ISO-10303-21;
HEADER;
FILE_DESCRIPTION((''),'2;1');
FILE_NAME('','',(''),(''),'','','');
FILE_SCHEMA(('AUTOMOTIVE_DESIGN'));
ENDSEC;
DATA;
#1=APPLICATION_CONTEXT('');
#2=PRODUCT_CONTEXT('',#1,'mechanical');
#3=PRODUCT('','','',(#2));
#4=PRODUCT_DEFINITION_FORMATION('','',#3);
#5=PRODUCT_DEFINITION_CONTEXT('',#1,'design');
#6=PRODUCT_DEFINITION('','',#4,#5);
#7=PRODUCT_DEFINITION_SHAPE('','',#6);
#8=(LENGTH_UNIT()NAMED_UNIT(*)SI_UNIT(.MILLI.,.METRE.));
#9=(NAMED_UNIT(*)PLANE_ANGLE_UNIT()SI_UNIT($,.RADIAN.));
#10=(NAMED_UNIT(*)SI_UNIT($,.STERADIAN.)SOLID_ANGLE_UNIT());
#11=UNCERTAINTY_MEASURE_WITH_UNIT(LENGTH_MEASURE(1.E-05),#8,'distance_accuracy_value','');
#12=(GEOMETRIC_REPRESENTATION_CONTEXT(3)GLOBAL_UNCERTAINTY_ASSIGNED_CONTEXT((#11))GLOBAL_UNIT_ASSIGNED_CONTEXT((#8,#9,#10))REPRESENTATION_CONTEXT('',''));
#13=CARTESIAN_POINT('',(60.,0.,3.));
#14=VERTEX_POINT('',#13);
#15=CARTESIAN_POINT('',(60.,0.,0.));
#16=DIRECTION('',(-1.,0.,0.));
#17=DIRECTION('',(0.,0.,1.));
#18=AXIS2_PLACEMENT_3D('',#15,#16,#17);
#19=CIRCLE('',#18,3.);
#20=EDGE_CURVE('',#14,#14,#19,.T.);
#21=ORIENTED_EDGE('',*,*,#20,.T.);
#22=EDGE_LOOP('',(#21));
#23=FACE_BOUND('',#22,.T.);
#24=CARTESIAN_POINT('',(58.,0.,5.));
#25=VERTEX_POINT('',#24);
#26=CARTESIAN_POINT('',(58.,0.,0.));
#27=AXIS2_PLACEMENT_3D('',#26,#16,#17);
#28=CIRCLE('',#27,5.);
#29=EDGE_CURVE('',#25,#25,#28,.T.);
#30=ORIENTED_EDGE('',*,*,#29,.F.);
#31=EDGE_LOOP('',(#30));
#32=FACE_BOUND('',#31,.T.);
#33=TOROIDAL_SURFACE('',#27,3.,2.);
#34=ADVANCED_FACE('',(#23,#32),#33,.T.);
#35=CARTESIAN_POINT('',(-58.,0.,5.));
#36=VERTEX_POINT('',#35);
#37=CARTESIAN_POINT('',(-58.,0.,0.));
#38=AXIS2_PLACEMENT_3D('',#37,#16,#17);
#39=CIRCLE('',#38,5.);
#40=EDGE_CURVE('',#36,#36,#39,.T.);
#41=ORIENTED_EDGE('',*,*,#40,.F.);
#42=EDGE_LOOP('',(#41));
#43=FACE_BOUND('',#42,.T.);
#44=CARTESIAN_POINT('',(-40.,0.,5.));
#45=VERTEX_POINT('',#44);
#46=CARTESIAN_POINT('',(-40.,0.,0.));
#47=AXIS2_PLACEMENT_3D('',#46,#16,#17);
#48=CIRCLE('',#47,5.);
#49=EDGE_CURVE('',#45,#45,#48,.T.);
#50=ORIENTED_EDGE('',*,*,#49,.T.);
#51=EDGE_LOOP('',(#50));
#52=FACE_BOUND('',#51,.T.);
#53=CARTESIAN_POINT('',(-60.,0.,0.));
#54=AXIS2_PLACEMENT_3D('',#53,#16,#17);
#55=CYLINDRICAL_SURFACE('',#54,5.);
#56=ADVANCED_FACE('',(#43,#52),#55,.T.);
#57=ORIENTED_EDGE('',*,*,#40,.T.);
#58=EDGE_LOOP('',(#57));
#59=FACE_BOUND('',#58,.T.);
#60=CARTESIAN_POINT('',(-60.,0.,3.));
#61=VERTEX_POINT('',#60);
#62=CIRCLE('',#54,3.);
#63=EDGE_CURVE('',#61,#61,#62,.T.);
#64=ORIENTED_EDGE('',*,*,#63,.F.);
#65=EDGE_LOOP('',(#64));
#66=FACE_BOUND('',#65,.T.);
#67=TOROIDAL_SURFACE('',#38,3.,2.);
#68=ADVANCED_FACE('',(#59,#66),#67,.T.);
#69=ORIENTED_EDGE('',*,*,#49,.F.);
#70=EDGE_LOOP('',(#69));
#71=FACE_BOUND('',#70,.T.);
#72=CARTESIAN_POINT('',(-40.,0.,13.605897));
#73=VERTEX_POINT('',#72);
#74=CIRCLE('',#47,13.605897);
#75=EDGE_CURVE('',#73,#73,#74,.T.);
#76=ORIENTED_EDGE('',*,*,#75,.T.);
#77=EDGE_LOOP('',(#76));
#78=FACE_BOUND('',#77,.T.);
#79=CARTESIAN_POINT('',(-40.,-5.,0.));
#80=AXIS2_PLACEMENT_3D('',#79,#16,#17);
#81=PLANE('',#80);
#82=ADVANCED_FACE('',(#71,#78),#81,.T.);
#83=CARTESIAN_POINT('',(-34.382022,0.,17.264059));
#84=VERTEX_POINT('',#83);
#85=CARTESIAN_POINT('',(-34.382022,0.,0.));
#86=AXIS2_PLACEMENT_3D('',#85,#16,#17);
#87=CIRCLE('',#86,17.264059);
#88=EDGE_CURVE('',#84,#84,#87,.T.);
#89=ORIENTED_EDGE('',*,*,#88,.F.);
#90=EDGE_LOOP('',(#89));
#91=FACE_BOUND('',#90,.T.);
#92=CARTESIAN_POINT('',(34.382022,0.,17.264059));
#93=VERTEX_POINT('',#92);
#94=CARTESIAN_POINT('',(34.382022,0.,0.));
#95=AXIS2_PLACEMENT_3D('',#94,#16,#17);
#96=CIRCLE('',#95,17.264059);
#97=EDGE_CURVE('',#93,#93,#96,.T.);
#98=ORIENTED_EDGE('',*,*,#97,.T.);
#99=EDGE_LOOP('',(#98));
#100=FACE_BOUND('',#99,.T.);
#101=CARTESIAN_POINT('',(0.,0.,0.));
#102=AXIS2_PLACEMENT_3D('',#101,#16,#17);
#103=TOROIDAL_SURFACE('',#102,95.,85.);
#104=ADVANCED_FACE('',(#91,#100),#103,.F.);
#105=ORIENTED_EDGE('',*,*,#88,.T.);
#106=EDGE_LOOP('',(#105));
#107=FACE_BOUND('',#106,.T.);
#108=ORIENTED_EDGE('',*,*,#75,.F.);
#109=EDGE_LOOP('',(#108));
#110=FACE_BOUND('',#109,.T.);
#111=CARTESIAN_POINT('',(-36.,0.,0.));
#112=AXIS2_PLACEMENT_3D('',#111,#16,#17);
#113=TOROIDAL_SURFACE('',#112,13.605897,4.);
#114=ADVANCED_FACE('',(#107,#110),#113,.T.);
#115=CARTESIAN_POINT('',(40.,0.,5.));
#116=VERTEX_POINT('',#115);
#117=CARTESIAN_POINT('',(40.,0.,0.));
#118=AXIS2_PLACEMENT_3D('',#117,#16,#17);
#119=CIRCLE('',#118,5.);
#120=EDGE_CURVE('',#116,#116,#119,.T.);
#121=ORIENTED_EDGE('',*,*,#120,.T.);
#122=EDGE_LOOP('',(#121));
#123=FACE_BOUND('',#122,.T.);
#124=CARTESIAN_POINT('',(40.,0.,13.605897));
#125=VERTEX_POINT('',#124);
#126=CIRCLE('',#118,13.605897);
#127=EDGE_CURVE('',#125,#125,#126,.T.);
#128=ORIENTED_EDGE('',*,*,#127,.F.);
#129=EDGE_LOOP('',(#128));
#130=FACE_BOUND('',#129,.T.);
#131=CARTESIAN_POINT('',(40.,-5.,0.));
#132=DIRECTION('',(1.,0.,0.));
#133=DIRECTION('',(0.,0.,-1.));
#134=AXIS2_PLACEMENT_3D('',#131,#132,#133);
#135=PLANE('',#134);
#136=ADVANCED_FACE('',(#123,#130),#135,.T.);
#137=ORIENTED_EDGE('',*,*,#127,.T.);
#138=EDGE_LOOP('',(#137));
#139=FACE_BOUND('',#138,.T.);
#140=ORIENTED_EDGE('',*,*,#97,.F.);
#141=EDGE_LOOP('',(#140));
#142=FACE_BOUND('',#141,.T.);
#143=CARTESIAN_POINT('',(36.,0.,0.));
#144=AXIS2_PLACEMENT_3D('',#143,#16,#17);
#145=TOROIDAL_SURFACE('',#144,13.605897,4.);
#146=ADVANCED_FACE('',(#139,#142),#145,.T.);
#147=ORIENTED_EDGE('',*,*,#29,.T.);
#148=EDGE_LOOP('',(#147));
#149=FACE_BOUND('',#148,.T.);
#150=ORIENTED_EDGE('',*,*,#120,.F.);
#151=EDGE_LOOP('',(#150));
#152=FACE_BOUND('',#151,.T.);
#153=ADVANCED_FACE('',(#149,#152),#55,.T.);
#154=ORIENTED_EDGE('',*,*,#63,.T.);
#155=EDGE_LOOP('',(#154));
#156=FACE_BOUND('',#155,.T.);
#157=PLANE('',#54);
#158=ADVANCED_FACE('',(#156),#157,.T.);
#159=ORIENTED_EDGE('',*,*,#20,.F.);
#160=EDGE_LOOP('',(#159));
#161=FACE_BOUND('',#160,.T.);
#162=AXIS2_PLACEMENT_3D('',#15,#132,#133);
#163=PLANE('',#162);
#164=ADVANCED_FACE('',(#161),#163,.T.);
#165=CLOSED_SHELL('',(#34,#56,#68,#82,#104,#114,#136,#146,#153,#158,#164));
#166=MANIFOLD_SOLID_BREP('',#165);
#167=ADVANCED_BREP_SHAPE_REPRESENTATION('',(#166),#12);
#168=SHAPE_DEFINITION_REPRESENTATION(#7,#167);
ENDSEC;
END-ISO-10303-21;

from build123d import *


with BuildPart() as part:
    # Sketch3 → Revolve1 (revolve)
    with BuildSketch(Plane.XY, mode=Mode.PRIVATE) as revolve1_sk:
        with BuildLine():
            Line((-60, 0), (60, 0))
            Line((60, 0), (60, -3))
            ThreePointArc((60, -3), (59.414213562, -4.414213562), (58, -5))
            Line((58, -5), (40, -5))
            Line((40, -5), (40, -13.60589702))
            ThreePointArc((40, -13.60589702), (38.182669225, -16.957904635), (34.382022472, -17.264058951))
            ThreePointArc((34.382022472, -17.264058951), (0, -10), (-34.382022472, -17.264058951))
            ThreePointArc((-34.382022472, -17.264058951), (-38.182669225, -16.957904635), (-40, -13.60589702))
            Line((-40, -13.60589702), (-40, -5))
            Line((-40, -5), (-58, -5))
            ThreePointArc((-58, -5), (-59.414213562, -4.414213562), (-60, -3))
            Line((-60, -3), (-60, 0))
        make_face()
    revolve(revolve1_sk.sketch.rotate(Axis((-60, 0, 0), (1, 0, 0)), 270), axis=Axis((-60, 0, 0), (1, 0, 0)))


solid = part.part
